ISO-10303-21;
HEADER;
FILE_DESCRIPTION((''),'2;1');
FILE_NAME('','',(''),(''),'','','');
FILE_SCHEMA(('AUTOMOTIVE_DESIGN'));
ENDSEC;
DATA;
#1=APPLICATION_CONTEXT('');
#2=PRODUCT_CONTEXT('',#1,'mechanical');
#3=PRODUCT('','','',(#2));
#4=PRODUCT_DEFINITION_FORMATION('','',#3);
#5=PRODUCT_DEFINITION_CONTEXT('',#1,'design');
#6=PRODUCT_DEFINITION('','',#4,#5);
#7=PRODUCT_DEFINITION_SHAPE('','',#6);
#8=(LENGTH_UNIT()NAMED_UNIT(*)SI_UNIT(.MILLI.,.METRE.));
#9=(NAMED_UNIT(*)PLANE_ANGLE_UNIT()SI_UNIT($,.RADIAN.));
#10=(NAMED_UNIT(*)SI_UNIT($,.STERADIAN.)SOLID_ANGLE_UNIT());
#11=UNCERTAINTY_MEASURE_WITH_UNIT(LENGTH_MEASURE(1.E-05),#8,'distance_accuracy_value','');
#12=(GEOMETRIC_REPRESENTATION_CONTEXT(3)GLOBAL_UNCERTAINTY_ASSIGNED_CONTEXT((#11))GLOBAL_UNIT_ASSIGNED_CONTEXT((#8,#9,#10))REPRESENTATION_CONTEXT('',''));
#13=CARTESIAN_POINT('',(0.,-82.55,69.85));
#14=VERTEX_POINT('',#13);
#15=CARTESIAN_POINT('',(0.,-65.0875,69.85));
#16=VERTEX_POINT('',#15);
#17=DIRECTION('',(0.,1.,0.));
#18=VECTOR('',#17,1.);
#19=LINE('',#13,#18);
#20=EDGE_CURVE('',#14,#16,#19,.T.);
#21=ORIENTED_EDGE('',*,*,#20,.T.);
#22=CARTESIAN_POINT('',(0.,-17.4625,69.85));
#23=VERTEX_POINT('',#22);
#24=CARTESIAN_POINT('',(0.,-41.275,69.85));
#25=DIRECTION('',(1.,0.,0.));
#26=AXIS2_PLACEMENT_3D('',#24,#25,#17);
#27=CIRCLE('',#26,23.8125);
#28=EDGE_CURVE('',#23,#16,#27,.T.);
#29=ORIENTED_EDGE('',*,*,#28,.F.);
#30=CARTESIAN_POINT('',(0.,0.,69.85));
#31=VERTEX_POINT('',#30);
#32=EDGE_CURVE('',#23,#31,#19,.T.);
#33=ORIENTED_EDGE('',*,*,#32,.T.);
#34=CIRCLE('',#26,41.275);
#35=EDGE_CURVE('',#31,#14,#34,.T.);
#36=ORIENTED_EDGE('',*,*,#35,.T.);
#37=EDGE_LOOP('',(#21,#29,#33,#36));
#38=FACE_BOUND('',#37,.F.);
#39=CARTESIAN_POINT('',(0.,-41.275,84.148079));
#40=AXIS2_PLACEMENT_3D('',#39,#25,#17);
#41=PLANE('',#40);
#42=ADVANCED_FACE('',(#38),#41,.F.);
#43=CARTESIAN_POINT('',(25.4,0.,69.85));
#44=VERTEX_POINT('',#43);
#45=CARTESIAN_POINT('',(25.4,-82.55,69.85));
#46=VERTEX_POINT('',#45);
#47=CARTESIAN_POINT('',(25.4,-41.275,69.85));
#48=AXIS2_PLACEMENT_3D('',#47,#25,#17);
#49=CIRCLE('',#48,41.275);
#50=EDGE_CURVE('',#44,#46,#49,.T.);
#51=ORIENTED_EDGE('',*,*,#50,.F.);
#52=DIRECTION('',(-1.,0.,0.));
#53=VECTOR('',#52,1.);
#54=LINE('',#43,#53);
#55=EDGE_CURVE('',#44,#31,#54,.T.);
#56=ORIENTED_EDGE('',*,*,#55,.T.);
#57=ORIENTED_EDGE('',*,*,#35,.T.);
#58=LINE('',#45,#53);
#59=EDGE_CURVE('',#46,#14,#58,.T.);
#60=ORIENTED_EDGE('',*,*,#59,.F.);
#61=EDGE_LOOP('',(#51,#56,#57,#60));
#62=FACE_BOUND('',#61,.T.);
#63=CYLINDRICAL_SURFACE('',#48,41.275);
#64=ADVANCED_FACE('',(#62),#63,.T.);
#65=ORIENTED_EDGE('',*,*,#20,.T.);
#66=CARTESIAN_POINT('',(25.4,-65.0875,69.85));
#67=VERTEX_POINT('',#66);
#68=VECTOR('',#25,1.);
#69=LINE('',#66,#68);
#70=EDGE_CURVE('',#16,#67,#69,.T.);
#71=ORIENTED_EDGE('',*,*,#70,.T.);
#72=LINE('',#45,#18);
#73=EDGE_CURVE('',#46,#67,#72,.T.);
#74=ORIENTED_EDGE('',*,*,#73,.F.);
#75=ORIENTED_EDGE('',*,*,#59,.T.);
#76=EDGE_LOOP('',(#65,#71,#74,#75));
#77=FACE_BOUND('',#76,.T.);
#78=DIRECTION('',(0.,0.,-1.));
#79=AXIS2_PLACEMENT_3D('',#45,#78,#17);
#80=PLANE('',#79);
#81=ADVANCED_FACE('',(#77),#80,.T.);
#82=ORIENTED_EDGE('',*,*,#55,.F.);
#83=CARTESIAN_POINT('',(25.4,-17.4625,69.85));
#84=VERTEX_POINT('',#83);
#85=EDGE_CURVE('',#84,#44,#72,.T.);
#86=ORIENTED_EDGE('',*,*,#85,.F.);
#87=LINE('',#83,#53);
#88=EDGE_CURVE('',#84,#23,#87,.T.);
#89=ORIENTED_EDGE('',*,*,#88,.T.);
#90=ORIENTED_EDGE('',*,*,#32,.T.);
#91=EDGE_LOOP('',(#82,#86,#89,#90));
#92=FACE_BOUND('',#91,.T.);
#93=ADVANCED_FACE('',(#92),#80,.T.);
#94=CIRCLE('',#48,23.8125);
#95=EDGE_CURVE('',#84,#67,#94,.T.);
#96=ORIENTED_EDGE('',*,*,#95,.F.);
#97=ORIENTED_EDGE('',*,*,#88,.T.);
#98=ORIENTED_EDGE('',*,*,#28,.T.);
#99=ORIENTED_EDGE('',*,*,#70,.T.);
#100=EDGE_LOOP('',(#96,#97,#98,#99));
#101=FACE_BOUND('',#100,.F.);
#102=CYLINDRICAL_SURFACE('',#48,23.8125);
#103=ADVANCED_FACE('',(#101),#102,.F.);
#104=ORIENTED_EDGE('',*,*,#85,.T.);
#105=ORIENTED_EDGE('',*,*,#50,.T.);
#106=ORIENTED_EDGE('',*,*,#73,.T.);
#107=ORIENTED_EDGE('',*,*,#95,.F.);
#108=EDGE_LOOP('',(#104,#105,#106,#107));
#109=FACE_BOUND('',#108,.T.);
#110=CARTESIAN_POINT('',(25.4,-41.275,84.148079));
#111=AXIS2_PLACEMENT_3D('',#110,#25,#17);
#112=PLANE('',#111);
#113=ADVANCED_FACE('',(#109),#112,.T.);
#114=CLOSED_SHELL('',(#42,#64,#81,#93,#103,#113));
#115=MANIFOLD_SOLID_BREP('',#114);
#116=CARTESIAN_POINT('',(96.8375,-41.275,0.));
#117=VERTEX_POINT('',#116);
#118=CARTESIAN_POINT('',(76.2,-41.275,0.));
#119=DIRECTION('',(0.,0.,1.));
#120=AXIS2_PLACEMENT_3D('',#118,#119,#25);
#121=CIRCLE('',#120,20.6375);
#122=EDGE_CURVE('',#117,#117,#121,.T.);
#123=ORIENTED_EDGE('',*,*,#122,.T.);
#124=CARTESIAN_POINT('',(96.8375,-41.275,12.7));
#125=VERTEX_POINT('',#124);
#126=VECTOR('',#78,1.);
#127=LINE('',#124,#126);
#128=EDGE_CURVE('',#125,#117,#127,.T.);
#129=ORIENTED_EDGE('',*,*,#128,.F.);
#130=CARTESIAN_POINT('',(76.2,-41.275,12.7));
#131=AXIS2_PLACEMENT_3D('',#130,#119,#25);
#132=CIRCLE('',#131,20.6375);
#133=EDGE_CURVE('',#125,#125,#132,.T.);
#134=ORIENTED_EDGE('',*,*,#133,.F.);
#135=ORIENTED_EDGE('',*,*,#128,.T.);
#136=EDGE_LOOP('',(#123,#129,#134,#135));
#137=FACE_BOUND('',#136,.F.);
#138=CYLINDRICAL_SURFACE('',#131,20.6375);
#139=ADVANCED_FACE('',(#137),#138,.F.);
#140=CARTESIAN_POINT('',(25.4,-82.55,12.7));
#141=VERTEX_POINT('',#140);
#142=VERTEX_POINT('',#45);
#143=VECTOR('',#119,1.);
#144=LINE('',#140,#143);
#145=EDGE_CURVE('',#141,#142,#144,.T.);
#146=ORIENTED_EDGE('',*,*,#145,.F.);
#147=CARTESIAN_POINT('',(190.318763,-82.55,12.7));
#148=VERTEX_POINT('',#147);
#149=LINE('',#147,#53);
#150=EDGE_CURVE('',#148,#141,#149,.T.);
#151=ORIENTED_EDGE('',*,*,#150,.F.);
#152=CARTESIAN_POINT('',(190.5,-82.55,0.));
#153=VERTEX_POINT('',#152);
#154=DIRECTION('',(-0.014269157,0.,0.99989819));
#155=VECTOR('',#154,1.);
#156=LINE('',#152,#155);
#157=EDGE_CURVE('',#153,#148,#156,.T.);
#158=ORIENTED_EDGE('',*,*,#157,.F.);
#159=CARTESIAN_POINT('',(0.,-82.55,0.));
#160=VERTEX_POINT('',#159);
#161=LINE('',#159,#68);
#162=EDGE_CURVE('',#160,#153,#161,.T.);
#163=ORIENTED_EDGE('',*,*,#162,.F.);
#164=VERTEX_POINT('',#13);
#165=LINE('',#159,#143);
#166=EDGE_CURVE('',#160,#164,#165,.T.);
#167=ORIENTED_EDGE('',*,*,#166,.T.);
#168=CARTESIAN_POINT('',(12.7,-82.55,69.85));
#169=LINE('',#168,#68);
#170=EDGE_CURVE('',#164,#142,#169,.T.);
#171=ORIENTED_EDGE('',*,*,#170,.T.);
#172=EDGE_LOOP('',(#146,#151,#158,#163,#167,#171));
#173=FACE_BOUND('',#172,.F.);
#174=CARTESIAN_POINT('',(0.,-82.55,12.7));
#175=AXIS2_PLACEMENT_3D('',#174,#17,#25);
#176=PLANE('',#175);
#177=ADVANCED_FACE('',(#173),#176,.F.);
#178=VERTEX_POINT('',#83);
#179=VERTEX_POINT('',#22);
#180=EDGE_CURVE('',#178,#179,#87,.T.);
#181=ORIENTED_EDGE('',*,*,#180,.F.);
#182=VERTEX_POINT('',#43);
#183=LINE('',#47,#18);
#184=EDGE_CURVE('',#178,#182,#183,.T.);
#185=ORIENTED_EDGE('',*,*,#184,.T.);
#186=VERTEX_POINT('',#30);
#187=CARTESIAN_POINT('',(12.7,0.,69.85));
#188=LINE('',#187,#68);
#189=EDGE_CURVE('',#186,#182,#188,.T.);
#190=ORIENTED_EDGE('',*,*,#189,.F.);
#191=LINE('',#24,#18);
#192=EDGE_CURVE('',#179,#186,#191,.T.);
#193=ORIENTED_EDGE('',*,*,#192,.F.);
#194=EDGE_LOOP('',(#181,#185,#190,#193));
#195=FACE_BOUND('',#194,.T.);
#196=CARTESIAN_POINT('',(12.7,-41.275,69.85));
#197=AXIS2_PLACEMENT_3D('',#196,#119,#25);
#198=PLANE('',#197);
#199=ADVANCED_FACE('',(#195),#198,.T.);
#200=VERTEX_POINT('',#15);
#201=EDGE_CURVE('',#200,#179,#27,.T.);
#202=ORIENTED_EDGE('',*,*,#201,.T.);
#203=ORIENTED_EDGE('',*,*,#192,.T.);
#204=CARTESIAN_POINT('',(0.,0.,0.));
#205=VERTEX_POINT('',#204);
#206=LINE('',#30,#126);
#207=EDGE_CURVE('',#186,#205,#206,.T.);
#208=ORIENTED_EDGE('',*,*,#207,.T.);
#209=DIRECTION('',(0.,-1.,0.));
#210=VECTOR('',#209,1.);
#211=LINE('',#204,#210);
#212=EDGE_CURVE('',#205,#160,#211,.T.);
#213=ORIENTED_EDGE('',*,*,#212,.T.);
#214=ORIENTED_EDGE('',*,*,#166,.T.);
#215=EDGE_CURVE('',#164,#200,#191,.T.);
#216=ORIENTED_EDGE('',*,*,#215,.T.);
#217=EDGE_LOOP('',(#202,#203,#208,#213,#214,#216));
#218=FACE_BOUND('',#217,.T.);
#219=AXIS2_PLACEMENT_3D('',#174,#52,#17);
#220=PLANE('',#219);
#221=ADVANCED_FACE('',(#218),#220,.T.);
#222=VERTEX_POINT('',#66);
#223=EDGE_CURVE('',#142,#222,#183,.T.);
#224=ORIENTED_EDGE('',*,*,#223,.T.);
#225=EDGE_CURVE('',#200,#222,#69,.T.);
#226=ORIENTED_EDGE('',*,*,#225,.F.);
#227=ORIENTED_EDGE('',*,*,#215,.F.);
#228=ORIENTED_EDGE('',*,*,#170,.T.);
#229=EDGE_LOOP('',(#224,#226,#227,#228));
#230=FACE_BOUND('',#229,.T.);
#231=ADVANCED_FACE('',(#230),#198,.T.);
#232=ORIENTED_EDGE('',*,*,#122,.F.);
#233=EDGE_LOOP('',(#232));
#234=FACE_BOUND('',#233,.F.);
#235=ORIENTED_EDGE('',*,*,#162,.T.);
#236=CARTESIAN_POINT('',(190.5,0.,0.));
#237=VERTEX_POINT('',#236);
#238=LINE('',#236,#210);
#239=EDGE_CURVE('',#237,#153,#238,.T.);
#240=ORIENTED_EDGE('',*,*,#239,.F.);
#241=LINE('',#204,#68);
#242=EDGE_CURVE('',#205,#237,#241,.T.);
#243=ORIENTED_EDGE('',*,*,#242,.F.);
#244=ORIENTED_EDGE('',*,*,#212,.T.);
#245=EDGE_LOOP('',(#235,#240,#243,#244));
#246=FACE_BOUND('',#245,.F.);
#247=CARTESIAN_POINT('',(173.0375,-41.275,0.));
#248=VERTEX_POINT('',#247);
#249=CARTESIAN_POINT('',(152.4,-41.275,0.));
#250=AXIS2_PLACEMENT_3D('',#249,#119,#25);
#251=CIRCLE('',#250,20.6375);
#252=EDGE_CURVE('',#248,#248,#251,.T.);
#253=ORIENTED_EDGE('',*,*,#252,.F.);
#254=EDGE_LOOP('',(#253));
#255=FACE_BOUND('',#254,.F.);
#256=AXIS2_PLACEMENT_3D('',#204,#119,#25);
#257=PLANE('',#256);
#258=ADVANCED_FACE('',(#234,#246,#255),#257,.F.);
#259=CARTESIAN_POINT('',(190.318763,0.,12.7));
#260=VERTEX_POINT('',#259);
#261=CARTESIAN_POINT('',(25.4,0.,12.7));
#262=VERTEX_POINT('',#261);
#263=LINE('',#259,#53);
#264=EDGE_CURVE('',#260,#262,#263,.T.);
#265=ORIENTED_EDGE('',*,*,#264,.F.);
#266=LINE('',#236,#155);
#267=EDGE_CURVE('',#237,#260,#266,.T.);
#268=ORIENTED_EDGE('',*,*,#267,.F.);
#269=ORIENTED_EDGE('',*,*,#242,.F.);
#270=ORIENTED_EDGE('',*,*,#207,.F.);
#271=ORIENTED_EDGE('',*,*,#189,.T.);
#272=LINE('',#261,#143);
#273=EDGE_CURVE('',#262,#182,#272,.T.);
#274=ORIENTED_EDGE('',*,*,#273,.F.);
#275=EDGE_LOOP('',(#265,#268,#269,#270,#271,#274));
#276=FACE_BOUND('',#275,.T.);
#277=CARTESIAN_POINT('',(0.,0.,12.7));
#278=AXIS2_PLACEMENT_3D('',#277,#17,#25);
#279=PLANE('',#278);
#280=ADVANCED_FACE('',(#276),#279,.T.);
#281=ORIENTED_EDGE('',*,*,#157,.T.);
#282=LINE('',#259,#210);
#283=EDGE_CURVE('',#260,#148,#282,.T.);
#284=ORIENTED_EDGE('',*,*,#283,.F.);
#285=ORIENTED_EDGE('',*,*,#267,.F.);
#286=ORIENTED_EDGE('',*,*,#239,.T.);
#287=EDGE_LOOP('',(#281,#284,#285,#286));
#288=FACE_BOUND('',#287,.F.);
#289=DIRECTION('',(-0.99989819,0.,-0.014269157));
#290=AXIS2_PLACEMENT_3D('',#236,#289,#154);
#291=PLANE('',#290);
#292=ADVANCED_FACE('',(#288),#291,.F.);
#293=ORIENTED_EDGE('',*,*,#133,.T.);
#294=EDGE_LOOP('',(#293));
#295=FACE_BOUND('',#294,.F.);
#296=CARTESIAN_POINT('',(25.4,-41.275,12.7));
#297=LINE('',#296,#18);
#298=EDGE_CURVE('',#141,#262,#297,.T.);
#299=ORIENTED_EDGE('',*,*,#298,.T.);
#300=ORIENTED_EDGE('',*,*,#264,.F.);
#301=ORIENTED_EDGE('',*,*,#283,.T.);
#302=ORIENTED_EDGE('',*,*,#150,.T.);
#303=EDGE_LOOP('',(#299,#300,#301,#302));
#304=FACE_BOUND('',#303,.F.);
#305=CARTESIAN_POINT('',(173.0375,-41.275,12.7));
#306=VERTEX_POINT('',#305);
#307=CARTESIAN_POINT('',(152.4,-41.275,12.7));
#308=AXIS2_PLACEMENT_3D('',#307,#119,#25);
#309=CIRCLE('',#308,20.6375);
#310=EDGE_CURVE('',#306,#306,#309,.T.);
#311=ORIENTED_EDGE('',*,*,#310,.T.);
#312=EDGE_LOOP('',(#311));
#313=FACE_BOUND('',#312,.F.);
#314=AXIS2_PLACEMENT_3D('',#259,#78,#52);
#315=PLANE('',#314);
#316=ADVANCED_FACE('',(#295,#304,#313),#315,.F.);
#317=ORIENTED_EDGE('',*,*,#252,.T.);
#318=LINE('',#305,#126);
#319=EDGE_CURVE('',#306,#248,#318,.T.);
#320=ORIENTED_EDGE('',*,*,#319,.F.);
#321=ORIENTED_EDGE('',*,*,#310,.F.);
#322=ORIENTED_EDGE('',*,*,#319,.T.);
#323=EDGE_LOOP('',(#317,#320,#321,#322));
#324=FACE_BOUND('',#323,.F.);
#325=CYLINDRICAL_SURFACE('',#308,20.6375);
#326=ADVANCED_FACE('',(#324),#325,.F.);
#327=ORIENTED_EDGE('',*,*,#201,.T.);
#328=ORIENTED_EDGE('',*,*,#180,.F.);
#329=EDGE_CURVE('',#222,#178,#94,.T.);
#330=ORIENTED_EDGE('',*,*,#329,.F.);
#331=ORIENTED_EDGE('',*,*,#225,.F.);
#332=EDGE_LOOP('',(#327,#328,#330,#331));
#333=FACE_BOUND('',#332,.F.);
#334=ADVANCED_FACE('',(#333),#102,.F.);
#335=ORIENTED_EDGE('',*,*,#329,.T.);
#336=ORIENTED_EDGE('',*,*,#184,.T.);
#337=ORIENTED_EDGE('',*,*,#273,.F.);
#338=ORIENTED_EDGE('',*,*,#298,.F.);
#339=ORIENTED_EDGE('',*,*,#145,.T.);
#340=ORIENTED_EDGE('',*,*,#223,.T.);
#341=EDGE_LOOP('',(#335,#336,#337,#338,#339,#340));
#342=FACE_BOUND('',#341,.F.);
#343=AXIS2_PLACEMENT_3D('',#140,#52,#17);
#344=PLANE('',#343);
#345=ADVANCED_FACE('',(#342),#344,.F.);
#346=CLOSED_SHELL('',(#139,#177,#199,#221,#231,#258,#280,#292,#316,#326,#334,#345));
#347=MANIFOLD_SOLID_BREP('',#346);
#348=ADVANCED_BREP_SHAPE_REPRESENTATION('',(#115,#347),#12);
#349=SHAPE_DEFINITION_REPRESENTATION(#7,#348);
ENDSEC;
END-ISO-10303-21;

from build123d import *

# Parameters (mm, degrees)
F1_DEPTH  = 82.55
F2_W      = 25.4
F2_H      = 82.55
F3_DEPTH  = 57.15
F5_DEPTH  = 25.4
F7_R      = 23.8125
F6_R      = 23.8125
F8_DEPTH  = 25.401
F9_DEPTH  = 25.401
F10_R     = 20.6375
F11_DEPTH = 25.4


with BuildPart() as f1:
    # F0 (on Front) → F1 (new body)
    with BuildSketch(Plane.XZ):
        Polygon((0, 12.7), (0, 0), (190.5, 0), (190.3187632561, 12.7), align=None)
    extrude(amount=F1_DEPTH)

    # F2 (on face) → F3 (join)
    with BuildSketch(Plane.XY.offset(12.7)):
        with Locations((12.7, -41.275)):
            Rectangle(F2_W, F2_H)
    extrude(amount=F3_DEPTH)


with BuildPart() as f5:
    # F4 (on face) → F5 (new body)
    with BuildSketch(Plane.YZ.offset(25.4)):
        with BuildLine():
            Line((-82.55, 69.85), (0, 69.85))
            ThreePointArc((0, 69.85), (-41.275, 111.125), (-82.55, 69.85))
        make_face()
    extrude(amount=-F5_DEPTH)


with BuildPart() as f8_tool:
    # F7 (on face) + F6 (on face) → F8 (new body, through all)
    with BuildSketch(Plane.YZ.offset(25.4)):
        with Locations((-41.275, 69.85)):
            Circle(F7_R)
    with BuildSketch(Plane.YZ.offset(25.4)):
        with Locations((-41.275, 69.85)):
            Circle(F6_R)
        with BuildLine():
            Line((-65.0875, 69.85), (-17.4625, 69.85))
            ThreePointArc((-17.4625, 69.85), (-41.275, 93.6625), (-65.0875, 69.85))
        make_face()
        with BuildLine():
            ThreePointArc((-65.0875, 69.85), (-41.275, 46.0375), (-17.4625, 69.85))
            Line((-17.4625, 69.85), (-65.0875, 69.85))
        make_face()
    extrude(amount=-F8_DEPTH)


with BuildPart() as f1_1:
    add(f1.part)

    # F8: cut by f8_tool
    add(f8_tool.part, mode=Mode.SUBTRACT)

    # F6 (on face) → F9 (cut, through all)
    with BuildSketch(Plane.YZ.offset(25.4)):
        with Locations((-41.275, 69.85)):
            Circle(F6_R)
    extrude(amount=-F9_DEPTH, mode=Mode.SUBTRACT)

    # F10 (on face) → F11 (cut)
    with BuildSketch(Plane.XY.offset(12.7)):
        with Locations((76.2, -41.275)):
            Circle(F10_R)
        with Locations((152.4, -41.275)):
            Circle(F10_R)
    extrude(amount=-F11_DEPTH, mode=Mode.SUBTRACT)


with BuildPart() as f5_1:
    add(f5.part)

    # F8: cut by f8_tool
    add(f8_tool.part, mode=Mode.SUBTRACT)


solid = Compound([f1_1.part, f5_1.part])
